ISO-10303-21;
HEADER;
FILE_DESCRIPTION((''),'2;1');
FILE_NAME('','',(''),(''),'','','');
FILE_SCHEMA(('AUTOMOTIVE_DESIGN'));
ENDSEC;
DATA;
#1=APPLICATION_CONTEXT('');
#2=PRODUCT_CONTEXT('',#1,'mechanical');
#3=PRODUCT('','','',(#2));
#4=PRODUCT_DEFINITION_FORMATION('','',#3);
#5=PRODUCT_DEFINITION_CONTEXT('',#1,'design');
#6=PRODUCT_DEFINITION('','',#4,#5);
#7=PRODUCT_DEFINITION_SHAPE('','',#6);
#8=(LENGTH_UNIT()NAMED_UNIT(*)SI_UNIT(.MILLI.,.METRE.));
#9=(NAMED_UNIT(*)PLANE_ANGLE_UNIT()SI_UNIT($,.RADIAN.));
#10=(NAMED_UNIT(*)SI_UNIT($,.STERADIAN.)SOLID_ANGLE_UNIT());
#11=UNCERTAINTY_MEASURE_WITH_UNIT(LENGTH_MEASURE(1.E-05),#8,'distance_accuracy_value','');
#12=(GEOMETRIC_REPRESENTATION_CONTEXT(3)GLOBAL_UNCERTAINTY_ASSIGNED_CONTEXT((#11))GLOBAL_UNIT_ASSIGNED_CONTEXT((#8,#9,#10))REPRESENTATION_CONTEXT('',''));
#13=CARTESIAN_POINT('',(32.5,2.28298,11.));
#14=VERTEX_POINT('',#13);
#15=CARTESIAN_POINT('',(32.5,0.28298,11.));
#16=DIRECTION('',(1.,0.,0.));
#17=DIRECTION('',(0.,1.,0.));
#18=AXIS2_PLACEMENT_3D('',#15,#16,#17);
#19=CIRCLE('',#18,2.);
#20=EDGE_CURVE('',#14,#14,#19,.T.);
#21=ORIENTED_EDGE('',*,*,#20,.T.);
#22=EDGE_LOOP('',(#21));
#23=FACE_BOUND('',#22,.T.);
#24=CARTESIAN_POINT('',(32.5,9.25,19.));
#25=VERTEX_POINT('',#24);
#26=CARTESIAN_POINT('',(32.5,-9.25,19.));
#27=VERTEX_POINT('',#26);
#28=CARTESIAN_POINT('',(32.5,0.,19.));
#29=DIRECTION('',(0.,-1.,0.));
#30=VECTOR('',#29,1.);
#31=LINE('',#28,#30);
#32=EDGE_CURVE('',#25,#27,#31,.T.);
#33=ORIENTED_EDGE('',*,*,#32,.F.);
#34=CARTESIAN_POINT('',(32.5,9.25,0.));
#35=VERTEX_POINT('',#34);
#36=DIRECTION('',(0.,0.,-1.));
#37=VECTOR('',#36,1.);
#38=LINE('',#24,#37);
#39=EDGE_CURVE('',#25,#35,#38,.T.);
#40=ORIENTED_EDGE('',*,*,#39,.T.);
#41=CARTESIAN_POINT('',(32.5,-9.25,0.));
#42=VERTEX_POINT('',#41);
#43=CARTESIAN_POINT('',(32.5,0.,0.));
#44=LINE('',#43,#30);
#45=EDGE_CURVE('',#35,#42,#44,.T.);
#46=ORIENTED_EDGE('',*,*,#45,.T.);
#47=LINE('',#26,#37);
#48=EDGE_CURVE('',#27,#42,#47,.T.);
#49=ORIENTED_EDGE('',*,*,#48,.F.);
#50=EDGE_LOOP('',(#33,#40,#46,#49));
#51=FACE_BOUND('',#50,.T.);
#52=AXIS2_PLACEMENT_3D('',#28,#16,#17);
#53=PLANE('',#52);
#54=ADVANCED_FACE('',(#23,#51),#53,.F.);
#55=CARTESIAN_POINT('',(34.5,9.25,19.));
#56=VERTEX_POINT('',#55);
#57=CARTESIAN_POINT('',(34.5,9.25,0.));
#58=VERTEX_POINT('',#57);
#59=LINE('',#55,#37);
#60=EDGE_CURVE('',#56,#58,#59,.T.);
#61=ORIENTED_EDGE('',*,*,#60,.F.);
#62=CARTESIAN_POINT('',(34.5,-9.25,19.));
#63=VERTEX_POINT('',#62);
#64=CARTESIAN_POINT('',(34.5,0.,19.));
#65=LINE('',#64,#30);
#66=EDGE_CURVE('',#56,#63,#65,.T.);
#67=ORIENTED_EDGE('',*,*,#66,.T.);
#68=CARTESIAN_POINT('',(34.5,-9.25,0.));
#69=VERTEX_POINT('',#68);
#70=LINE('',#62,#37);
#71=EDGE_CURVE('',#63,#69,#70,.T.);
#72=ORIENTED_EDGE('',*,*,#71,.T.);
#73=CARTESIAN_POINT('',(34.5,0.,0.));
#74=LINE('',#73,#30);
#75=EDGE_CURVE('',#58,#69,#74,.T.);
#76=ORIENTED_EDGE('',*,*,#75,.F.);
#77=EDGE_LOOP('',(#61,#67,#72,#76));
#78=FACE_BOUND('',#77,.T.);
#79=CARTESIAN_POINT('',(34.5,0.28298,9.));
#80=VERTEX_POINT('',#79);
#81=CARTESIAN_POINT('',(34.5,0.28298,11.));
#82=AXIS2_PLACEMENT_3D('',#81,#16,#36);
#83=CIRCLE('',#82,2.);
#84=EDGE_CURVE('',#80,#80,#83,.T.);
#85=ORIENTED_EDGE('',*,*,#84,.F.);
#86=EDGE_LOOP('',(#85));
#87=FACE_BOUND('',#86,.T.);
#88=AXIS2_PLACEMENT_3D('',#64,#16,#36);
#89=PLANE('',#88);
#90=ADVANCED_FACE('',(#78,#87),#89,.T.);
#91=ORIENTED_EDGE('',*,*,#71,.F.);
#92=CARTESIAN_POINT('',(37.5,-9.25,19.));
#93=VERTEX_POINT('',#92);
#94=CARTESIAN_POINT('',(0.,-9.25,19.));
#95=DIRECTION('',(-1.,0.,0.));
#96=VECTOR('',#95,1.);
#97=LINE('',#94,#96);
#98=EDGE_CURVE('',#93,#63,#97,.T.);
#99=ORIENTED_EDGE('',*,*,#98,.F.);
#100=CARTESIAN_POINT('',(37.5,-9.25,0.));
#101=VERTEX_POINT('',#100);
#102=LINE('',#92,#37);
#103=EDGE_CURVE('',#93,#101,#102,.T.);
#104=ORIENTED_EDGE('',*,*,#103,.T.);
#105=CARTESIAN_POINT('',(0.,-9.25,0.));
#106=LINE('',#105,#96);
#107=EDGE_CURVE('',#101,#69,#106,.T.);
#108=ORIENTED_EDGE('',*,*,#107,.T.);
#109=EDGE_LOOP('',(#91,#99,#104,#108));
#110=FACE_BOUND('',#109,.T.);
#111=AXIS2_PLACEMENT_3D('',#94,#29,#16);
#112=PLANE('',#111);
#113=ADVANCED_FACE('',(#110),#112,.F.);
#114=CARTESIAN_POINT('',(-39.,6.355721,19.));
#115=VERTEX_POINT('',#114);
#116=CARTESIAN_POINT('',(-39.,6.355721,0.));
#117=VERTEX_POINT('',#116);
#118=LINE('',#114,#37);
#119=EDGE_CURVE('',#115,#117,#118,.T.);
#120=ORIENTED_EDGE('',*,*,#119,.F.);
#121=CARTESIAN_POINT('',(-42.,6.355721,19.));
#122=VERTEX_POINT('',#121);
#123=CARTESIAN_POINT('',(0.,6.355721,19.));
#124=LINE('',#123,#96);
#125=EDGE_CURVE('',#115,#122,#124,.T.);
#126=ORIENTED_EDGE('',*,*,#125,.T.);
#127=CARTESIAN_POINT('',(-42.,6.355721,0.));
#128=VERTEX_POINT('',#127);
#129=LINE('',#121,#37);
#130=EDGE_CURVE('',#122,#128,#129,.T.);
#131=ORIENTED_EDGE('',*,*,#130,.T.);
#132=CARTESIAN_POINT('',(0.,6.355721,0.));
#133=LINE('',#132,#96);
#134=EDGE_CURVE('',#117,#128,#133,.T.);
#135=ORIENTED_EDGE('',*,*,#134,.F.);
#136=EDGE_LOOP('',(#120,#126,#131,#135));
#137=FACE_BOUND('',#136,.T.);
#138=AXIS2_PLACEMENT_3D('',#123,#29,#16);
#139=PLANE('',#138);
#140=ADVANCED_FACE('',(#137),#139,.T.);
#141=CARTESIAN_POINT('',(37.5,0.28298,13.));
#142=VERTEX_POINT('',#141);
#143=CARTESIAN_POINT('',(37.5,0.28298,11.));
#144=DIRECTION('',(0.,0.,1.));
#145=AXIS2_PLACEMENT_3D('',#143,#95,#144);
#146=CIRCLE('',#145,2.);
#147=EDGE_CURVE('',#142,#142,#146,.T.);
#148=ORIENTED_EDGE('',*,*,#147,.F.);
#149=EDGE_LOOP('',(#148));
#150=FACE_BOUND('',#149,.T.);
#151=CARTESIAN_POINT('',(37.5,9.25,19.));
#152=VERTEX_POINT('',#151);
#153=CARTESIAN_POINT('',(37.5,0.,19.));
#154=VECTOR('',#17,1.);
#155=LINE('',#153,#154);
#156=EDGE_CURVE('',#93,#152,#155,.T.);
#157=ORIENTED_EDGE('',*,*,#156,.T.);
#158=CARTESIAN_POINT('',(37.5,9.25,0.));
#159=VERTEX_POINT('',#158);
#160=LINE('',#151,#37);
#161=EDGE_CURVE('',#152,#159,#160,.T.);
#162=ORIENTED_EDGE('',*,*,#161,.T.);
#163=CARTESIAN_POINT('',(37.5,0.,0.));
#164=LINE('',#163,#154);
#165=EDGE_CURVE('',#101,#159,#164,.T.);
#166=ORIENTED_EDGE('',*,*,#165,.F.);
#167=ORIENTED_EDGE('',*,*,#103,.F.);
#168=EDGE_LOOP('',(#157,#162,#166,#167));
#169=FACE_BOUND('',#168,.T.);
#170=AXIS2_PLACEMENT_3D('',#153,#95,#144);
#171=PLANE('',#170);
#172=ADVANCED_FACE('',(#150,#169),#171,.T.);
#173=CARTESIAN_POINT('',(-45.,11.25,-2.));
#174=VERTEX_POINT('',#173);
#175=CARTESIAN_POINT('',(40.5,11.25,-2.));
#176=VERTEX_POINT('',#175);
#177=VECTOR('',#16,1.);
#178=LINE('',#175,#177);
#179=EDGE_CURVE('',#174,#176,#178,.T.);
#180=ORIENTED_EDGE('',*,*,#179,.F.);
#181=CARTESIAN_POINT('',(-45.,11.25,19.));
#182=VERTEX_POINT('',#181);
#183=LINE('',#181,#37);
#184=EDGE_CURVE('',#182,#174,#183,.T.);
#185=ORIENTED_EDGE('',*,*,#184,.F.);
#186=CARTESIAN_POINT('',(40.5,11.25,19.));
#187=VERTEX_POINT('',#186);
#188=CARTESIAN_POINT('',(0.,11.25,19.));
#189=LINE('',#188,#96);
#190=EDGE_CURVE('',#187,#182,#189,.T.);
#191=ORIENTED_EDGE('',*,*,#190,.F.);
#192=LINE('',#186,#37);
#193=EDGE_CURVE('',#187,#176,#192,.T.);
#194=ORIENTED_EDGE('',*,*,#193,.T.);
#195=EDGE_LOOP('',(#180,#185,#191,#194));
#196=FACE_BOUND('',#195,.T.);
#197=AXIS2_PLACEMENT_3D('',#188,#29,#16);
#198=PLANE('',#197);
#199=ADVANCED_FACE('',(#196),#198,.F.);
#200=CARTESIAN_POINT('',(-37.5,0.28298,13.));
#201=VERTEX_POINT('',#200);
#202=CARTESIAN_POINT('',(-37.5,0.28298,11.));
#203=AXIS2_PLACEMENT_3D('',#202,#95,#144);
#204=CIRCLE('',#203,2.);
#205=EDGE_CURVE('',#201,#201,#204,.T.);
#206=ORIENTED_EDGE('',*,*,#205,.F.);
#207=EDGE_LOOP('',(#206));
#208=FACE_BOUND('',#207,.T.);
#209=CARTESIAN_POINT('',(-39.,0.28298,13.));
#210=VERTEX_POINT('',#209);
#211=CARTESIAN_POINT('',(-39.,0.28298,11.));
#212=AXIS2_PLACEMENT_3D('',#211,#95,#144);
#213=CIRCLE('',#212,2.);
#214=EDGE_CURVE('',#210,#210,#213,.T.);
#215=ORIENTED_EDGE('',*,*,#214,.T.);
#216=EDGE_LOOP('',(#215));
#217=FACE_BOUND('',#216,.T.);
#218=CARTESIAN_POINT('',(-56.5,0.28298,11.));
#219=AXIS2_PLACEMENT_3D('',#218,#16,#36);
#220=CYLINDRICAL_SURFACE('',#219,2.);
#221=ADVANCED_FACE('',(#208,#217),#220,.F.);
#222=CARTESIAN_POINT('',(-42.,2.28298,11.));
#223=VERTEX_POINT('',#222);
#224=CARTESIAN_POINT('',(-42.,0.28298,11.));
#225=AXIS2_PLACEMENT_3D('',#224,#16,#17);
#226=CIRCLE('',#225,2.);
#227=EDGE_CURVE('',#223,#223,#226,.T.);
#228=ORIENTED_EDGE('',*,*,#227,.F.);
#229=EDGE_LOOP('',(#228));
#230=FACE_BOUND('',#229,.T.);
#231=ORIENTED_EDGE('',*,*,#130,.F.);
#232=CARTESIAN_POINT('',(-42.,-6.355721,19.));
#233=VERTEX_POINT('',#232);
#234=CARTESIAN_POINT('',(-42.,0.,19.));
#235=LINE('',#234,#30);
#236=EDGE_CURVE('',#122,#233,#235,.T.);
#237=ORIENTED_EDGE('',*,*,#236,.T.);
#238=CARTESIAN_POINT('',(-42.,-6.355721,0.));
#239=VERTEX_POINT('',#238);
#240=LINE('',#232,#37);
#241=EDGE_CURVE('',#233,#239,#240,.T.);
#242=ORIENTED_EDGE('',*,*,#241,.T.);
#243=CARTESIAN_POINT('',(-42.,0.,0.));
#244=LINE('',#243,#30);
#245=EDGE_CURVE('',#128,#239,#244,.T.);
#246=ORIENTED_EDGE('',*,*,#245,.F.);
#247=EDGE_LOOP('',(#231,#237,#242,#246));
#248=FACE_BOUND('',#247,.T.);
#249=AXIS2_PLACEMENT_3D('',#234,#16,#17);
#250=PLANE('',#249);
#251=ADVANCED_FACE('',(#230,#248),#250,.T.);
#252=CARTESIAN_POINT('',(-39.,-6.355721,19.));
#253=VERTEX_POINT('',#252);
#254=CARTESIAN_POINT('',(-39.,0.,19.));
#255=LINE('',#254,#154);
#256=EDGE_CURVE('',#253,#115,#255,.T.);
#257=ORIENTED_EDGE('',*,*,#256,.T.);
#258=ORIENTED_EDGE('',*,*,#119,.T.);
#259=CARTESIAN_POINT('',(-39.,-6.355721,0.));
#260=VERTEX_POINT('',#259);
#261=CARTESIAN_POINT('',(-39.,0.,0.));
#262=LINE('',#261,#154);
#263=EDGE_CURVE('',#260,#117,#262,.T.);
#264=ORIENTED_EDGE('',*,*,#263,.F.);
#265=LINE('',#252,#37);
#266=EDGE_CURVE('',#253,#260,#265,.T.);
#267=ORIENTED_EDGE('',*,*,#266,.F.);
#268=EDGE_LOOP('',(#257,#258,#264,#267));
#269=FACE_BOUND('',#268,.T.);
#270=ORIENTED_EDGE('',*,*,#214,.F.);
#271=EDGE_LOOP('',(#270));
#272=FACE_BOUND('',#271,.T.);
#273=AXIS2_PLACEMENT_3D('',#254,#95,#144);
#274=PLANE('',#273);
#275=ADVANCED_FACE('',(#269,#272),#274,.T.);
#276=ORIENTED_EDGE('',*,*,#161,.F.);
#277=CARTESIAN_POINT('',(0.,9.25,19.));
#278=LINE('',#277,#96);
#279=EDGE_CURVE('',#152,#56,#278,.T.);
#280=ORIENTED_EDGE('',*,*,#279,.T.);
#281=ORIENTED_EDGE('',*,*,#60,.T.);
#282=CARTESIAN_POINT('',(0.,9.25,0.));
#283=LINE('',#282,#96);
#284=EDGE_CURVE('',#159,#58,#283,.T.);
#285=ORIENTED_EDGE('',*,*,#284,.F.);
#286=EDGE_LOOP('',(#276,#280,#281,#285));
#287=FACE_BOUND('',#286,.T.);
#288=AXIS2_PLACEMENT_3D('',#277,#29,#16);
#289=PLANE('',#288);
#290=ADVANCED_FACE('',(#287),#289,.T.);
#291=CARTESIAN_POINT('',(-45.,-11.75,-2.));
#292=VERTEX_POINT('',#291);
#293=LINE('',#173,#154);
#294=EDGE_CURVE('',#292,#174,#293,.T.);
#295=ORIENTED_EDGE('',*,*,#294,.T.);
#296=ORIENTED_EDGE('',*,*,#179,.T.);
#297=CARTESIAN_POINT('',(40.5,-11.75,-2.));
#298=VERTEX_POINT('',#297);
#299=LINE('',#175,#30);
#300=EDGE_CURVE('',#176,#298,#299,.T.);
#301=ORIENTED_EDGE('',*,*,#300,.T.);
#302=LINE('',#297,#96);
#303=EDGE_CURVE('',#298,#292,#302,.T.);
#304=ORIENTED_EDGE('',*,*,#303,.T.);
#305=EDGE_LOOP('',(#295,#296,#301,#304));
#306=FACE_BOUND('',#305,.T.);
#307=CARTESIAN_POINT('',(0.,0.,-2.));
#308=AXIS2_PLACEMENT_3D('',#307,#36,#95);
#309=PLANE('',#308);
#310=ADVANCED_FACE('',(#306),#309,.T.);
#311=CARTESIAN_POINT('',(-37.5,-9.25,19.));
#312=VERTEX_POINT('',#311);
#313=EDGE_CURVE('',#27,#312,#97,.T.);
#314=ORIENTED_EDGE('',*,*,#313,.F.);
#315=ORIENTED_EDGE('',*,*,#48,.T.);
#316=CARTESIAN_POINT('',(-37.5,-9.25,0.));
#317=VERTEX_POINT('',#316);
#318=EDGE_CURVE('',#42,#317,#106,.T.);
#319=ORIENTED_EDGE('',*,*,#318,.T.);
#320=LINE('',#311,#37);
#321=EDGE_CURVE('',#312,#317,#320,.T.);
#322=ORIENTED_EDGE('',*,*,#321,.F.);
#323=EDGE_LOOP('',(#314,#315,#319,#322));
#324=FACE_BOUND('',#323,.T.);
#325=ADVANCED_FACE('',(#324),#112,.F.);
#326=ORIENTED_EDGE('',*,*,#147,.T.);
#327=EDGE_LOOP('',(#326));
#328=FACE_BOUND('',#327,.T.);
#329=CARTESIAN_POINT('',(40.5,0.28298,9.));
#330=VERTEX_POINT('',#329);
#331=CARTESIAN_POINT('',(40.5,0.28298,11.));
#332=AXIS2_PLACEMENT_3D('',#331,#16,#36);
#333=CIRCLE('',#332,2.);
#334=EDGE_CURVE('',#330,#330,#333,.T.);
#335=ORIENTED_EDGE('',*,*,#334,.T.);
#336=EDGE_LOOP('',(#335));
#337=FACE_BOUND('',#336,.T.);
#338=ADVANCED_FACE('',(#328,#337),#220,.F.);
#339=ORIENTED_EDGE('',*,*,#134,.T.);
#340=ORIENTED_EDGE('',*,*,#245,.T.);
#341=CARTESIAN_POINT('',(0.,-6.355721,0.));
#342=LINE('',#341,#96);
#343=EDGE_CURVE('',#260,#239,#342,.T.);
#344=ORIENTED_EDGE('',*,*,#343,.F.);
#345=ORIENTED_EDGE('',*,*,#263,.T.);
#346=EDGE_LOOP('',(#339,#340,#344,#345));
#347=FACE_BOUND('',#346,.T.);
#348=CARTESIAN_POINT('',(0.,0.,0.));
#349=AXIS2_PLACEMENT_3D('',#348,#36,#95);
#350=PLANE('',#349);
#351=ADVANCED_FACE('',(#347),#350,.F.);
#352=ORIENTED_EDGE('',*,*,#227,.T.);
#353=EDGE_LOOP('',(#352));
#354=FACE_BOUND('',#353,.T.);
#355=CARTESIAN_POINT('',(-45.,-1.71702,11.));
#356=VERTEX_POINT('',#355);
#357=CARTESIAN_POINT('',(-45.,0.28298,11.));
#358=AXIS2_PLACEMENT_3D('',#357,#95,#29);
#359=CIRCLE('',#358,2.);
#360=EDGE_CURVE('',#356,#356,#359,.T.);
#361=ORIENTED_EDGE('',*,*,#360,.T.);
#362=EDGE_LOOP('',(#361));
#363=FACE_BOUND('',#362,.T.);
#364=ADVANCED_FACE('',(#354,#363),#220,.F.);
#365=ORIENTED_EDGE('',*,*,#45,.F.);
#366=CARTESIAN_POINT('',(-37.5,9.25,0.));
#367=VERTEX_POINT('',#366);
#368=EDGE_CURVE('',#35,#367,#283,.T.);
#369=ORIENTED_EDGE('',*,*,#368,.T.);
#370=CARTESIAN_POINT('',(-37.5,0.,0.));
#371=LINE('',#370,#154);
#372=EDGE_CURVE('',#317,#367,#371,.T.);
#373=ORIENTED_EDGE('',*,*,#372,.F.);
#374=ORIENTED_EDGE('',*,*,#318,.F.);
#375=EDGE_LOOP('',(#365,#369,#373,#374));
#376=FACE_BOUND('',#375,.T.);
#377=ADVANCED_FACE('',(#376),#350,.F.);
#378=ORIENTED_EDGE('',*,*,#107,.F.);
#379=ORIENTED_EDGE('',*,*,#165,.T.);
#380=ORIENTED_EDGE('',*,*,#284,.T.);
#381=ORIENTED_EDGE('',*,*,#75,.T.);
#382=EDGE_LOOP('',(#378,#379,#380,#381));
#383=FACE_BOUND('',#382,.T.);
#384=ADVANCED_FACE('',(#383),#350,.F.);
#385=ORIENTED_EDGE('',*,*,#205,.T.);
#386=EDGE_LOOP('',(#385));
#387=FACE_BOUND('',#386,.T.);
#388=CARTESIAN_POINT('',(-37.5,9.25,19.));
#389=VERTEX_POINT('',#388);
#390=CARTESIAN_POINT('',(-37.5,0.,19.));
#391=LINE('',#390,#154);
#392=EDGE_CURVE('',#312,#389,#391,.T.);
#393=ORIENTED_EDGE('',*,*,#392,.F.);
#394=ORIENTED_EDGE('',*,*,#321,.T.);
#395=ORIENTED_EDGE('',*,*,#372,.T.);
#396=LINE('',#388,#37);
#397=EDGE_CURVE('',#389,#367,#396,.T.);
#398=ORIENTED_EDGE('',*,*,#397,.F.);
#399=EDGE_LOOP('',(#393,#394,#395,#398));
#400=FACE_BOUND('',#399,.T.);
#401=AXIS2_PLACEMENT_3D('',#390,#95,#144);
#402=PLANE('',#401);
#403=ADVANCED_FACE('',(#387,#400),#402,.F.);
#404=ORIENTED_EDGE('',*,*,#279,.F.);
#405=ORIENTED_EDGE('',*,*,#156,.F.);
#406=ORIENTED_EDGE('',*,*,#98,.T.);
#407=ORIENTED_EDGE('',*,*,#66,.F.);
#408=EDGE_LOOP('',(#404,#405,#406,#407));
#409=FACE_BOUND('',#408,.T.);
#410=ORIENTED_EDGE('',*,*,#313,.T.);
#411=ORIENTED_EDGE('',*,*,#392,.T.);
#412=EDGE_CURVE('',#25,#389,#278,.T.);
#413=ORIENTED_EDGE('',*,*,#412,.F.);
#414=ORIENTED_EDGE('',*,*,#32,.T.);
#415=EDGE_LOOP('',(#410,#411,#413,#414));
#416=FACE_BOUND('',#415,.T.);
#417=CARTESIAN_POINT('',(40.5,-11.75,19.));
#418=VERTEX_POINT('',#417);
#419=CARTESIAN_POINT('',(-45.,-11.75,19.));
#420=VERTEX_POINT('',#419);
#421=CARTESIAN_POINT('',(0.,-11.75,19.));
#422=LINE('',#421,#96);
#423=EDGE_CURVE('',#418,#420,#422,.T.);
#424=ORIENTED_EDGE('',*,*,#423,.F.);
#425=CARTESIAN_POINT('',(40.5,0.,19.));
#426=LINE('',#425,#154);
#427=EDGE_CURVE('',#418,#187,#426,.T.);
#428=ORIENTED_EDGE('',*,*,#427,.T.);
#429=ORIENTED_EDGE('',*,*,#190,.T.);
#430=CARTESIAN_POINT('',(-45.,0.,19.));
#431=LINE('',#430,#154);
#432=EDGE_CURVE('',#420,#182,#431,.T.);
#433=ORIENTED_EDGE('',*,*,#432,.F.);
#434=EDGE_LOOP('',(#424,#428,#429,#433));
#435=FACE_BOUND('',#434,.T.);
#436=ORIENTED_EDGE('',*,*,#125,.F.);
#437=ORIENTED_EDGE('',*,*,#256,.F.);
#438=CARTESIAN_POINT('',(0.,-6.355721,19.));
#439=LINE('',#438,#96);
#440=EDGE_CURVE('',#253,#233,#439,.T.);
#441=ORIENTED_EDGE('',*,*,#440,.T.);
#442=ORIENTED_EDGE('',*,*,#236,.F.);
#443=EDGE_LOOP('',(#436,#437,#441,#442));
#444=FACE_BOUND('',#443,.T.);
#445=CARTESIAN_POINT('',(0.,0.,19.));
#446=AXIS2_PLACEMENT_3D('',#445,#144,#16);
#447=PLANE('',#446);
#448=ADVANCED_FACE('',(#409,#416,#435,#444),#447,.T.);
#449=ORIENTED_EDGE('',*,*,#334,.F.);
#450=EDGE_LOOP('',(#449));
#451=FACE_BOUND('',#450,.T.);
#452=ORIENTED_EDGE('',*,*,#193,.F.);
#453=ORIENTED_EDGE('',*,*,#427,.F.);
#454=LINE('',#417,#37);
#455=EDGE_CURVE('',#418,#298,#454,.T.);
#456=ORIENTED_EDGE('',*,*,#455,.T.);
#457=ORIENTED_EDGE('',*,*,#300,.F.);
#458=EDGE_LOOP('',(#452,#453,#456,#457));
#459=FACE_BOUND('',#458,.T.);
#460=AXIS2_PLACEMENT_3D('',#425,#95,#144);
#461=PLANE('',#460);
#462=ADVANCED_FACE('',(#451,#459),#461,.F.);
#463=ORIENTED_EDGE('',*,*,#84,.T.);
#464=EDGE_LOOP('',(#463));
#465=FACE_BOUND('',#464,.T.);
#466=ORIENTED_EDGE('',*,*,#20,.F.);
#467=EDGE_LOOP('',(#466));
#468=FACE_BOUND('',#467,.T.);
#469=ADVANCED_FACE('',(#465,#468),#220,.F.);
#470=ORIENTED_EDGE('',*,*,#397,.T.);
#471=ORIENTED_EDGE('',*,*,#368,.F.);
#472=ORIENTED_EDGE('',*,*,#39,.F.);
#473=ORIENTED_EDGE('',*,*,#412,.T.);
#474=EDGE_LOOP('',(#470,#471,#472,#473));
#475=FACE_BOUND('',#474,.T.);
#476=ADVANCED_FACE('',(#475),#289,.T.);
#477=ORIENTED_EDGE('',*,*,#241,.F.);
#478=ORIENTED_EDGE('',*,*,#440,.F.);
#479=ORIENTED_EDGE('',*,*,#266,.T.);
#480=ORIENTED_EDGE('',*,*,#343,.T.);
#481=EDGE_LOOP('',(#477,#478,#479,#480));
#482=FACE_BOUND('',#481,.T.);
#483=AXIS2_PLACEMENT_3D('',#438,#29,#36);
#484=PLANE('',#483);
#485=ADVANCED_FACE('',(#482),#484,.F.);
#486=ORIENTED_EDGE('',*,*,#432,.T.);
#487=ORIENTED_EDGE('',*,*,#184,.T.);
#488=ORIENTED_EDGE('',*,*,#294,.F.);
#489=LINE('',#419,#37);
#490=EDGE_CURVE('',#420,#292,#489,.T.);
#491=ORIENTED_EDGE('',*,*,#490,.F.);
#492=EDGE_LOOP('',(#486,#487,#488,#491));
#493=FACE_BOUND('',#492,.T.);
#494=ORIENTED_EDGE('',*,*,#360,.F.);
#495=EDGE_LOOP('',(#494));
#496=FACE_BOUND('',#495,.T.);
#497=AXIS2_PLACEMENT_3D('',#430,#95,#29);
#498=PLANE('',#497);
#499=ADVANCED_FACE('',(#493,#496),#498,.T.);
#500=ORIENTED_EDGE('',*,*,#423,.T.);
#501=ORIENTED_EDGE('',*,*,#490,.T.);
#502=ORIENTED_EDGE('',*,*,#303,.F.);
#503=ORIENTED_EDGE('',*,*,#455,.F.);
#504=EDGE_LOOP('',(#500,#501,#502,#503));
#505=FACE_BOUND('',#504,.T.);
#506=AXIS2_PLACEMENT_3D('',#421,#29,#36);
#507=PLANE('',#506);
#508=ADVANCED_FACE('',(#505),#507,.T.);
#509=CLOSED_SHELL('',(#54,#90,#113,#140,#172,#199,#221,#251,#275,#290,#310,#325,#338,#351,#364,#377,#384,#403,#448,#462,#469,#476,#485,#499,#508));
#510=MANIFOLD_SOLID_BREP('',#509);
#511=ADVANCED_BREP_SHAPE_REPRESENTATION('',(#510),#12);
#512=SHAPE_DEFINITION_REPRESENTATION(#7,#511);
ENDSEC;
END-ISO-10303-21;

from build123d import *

# Parameters (mm, degrees)
SKETCH_1_W          = 85.5
SKETCH_1_H          = 23
SKETCH_1_W_2        = 3
SKETCH_1_H_2        = 18.5
SKETCH_1_W_3        = 70
SKETCH_1_H_3        = 12.711442786
EXTRUDE_1_DEPTH     = 19
SKETCH_2_W          = 85.5
SKETCH_2_H          = 23
EXTRUDE_2_DEPTH     = 2
SKETCH_3_R          = 2
CUT_EXTRUDE_1_DEPTH = 97


with BuildPart() as part:
    # 草圖1 → 填料-伸長1 (new body)
    with BuildSketch(Plane.XY):
        with Locations((-2.25, -0.25)):
            Rectangle(SKETCH_1_W, SKETCH_1_H)
        with Locations((36, 0)):
            Rectangle(SKETCH_1_W_2, SKETCH_1_H_2, mode=Mode.SUBTRACT)
        with Locations((-2.5, 0)):
            Rectangle(SKETCH_1_W_3, SKETCH_1_H_2, mode=Mode.SUBTRACT)
        with Locations((-40.5, 0)):
            Rectangle(SKETCH_1_W_2, SKETCH_1_H_3, mode=Mode.SUBTRACT)
    extrude(amount=EXTRUDE_1_DEPTH)

    # 草圖2 → 填料-伸長2 (add)
    with BuildSketch(Plane(origin=(0, 0, 0), x_dir=(-1, 0, 0), z_dir=(0, 0, -1))):
        with Locations((2.25, -0.25)):
            Rectangle(SKETCH_2_W, SKETCH_2_H)
    extrude(amount=EXTRUDE_2_DEPTH)

    # 草圖3 → 除料-伸長1 (cut)
    with BuildSketch(Plane(origin=(40.5, 0, 0), x_dir=(0, 0, -1), z_dir=(1, 0, 0))):
        with Locations(Location((-11, 0.282979523, 0), (0, 0, 90))):
            Circle(SKETCH_3_R)
    extrude(amount=-CUT_EXTRUDE_1_DEPTH, mode=Mode.SUBTRACT)


solid = part.part
